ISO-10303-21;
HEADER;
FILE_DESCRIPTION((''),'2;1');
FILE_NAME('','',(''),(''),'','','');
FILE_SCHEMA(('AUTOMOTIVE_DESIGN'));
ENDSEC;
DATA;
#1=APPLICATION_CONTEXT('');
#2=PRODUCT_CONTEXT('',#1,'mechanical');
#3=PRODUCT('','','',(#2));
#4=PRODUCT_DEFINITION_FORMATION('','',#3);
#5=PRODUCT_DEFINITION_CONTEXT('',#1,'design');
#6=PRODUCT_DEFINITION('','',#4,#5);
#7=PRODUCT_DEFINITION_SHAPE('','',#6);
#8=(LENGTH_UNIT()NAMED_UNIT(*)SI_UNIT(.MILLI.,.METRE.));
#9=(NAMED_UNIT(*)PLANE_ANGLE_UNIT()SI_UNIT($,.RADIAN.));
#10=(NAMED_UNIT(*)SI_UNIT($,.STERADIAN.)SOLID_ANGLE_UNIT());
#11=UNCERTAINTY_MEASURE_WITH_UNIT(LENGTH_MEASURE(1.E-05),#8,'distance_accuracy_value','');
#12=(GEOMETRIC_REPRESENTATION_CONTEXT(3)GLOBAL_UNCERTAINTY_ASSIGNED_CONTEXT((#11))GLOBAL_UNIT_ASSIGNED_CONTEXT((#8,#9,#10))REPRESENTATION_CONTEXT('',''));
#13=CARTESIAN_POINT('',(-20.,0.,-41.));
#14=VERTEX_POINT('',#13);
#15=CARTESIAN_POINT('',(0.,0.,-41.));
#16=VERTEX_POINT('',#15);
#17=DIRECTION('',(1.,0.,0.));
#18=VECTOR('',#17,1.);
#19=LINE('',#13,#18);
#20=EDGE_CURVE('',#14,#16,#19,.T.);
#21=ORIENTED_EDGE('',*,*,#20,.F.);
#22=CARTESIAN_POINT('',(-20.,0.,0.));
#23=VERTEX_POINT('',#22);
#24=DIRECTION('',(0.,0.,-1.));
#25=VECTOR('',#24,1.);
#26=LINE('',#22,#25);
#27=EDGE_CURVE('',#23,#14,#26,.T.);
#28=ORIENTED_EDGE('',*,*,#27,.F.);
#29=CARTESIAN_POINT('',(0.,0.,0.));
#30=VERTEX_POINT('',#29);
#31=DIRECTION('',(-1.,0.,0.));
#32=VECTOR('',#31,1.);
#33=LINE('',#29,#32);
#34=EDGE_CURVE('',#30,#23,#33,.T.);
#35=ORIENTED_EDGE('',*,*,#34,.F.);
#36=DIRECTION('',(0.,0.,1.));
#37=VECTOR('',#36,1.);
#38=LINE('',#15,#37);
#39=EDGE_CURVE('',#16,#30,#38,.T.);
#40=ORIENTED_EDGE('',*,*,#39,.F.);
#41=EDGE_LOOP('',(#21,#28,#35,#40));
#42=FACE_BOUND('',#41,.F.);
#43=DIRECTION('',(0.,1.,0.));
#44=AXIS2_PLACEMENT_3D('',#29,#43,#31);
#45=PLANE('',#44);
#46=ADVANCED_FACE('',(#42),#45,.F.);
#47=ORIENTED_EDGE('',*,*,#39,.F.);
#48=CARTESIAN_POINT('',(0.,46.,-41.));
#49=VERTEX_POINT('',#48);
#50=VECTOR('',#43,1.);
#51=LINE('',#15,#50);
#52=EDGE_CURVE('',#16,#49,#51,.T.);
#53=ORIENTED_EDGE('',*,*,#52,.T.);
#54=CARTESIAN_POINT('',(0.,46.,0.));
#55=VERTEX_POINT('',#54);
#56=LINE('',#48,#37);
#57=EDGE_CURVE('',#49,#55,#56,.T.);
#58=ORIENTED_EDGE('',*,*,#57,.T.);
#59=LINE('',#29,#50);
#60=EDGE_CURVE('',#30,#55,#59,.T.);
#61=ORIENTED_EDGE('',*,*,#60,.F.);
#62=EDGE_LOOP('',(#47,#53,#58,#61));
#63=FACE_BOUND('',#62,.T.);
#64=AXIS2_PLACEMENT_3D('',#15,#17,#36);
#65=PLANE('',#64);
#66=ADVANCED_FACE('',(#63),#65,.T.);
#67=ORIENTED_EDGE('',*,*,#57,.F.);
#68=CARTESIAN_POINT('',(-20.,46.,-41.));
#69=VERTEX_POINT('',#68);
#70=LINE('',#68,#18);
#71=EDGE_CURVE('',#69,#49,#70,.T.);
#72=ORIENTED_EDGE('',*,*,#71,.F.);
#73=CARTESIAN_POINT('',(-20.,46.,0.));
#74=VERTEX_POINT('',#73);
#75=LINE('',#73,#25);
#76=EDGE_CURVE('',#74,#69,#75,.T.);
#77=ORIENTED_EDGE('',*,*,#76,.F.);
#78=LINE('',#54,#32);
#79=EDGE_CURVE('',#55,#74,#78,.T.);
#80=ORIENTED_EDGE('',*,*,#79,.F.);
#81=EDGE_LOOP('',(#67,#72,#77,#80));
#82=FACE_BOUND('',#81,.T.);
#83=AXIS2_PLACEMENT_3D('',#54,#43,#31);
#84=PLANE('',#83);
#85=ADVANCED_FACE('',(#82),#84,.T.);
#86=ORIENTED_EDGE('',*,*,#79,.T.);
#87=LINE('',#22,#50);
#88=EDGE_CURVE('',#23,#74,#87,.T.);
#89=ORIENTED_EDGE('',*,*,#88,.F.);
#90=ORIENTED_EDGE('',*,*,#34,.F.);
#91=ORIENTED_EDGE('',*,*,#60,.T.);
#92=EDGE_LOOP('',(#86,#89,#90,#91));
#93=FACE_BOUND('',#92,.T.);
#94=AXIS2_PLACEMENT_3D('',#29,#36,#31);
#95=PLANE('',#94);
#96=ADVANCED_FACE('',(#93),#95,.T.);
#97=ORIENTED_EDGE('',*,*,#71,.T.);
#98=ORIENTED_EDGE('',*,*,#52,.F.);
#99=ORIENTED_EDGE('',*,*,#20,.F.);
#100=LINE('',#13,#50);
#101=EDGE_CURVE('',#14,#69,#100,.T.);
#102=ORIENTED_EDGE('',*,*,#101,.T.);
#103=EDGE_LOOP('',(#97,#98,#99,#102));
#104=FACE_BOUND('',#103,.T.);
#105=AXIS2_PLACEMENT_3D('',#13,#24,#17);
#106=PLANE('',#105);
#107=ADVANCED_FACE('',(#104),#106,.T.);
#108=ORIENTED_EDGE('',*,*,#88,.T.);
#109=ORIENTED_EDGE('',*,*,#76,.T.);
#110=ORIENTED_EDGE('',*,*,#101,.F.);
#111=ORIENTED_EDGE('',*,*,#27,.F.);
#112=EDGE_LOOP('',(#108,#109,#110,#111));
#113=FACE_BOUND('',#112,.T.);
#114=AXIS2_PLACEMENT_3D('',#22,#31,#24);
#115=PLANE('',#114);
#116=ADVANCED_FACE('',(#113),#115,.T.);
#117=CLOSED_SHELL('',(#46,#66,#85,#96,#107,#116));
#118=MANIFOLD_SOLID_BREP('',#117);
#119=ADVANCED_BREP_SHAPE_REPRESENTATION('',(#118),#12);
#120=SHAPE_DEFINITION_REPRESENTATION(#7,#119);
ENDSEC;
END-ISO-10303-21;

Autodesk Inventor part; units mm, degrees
ref_plane "YZ Plane" through (0, 0, 0) normal (1, 0, 0) x (0, 1, 0)
ref_plane "XZ Plane" through (0, 0, 0) normal (0, 1, 0) x (-1, 0, 0)
ref_plane "XY Plane" through (0, 0, 0) normal (0, 0, 1) x (1, 0, 0)
sketch "Sketch1" plane through (0, 0, 0) normal (0, 1, 0) x (-1, 0, 0)
  line L0 (0, 0) -> (20, 0)
  line L1 (20, 0) -> (20, -41)
  line L2 (20, -41) -> (0, -41)
  line L3 (0, -41) -> (0, 0)
  dimension "d0" = 41
  dimension "d1" = 20
extrude "Extrusion1" add sketch "Sketch1" along normal blind 46
properties part number "Battery"
